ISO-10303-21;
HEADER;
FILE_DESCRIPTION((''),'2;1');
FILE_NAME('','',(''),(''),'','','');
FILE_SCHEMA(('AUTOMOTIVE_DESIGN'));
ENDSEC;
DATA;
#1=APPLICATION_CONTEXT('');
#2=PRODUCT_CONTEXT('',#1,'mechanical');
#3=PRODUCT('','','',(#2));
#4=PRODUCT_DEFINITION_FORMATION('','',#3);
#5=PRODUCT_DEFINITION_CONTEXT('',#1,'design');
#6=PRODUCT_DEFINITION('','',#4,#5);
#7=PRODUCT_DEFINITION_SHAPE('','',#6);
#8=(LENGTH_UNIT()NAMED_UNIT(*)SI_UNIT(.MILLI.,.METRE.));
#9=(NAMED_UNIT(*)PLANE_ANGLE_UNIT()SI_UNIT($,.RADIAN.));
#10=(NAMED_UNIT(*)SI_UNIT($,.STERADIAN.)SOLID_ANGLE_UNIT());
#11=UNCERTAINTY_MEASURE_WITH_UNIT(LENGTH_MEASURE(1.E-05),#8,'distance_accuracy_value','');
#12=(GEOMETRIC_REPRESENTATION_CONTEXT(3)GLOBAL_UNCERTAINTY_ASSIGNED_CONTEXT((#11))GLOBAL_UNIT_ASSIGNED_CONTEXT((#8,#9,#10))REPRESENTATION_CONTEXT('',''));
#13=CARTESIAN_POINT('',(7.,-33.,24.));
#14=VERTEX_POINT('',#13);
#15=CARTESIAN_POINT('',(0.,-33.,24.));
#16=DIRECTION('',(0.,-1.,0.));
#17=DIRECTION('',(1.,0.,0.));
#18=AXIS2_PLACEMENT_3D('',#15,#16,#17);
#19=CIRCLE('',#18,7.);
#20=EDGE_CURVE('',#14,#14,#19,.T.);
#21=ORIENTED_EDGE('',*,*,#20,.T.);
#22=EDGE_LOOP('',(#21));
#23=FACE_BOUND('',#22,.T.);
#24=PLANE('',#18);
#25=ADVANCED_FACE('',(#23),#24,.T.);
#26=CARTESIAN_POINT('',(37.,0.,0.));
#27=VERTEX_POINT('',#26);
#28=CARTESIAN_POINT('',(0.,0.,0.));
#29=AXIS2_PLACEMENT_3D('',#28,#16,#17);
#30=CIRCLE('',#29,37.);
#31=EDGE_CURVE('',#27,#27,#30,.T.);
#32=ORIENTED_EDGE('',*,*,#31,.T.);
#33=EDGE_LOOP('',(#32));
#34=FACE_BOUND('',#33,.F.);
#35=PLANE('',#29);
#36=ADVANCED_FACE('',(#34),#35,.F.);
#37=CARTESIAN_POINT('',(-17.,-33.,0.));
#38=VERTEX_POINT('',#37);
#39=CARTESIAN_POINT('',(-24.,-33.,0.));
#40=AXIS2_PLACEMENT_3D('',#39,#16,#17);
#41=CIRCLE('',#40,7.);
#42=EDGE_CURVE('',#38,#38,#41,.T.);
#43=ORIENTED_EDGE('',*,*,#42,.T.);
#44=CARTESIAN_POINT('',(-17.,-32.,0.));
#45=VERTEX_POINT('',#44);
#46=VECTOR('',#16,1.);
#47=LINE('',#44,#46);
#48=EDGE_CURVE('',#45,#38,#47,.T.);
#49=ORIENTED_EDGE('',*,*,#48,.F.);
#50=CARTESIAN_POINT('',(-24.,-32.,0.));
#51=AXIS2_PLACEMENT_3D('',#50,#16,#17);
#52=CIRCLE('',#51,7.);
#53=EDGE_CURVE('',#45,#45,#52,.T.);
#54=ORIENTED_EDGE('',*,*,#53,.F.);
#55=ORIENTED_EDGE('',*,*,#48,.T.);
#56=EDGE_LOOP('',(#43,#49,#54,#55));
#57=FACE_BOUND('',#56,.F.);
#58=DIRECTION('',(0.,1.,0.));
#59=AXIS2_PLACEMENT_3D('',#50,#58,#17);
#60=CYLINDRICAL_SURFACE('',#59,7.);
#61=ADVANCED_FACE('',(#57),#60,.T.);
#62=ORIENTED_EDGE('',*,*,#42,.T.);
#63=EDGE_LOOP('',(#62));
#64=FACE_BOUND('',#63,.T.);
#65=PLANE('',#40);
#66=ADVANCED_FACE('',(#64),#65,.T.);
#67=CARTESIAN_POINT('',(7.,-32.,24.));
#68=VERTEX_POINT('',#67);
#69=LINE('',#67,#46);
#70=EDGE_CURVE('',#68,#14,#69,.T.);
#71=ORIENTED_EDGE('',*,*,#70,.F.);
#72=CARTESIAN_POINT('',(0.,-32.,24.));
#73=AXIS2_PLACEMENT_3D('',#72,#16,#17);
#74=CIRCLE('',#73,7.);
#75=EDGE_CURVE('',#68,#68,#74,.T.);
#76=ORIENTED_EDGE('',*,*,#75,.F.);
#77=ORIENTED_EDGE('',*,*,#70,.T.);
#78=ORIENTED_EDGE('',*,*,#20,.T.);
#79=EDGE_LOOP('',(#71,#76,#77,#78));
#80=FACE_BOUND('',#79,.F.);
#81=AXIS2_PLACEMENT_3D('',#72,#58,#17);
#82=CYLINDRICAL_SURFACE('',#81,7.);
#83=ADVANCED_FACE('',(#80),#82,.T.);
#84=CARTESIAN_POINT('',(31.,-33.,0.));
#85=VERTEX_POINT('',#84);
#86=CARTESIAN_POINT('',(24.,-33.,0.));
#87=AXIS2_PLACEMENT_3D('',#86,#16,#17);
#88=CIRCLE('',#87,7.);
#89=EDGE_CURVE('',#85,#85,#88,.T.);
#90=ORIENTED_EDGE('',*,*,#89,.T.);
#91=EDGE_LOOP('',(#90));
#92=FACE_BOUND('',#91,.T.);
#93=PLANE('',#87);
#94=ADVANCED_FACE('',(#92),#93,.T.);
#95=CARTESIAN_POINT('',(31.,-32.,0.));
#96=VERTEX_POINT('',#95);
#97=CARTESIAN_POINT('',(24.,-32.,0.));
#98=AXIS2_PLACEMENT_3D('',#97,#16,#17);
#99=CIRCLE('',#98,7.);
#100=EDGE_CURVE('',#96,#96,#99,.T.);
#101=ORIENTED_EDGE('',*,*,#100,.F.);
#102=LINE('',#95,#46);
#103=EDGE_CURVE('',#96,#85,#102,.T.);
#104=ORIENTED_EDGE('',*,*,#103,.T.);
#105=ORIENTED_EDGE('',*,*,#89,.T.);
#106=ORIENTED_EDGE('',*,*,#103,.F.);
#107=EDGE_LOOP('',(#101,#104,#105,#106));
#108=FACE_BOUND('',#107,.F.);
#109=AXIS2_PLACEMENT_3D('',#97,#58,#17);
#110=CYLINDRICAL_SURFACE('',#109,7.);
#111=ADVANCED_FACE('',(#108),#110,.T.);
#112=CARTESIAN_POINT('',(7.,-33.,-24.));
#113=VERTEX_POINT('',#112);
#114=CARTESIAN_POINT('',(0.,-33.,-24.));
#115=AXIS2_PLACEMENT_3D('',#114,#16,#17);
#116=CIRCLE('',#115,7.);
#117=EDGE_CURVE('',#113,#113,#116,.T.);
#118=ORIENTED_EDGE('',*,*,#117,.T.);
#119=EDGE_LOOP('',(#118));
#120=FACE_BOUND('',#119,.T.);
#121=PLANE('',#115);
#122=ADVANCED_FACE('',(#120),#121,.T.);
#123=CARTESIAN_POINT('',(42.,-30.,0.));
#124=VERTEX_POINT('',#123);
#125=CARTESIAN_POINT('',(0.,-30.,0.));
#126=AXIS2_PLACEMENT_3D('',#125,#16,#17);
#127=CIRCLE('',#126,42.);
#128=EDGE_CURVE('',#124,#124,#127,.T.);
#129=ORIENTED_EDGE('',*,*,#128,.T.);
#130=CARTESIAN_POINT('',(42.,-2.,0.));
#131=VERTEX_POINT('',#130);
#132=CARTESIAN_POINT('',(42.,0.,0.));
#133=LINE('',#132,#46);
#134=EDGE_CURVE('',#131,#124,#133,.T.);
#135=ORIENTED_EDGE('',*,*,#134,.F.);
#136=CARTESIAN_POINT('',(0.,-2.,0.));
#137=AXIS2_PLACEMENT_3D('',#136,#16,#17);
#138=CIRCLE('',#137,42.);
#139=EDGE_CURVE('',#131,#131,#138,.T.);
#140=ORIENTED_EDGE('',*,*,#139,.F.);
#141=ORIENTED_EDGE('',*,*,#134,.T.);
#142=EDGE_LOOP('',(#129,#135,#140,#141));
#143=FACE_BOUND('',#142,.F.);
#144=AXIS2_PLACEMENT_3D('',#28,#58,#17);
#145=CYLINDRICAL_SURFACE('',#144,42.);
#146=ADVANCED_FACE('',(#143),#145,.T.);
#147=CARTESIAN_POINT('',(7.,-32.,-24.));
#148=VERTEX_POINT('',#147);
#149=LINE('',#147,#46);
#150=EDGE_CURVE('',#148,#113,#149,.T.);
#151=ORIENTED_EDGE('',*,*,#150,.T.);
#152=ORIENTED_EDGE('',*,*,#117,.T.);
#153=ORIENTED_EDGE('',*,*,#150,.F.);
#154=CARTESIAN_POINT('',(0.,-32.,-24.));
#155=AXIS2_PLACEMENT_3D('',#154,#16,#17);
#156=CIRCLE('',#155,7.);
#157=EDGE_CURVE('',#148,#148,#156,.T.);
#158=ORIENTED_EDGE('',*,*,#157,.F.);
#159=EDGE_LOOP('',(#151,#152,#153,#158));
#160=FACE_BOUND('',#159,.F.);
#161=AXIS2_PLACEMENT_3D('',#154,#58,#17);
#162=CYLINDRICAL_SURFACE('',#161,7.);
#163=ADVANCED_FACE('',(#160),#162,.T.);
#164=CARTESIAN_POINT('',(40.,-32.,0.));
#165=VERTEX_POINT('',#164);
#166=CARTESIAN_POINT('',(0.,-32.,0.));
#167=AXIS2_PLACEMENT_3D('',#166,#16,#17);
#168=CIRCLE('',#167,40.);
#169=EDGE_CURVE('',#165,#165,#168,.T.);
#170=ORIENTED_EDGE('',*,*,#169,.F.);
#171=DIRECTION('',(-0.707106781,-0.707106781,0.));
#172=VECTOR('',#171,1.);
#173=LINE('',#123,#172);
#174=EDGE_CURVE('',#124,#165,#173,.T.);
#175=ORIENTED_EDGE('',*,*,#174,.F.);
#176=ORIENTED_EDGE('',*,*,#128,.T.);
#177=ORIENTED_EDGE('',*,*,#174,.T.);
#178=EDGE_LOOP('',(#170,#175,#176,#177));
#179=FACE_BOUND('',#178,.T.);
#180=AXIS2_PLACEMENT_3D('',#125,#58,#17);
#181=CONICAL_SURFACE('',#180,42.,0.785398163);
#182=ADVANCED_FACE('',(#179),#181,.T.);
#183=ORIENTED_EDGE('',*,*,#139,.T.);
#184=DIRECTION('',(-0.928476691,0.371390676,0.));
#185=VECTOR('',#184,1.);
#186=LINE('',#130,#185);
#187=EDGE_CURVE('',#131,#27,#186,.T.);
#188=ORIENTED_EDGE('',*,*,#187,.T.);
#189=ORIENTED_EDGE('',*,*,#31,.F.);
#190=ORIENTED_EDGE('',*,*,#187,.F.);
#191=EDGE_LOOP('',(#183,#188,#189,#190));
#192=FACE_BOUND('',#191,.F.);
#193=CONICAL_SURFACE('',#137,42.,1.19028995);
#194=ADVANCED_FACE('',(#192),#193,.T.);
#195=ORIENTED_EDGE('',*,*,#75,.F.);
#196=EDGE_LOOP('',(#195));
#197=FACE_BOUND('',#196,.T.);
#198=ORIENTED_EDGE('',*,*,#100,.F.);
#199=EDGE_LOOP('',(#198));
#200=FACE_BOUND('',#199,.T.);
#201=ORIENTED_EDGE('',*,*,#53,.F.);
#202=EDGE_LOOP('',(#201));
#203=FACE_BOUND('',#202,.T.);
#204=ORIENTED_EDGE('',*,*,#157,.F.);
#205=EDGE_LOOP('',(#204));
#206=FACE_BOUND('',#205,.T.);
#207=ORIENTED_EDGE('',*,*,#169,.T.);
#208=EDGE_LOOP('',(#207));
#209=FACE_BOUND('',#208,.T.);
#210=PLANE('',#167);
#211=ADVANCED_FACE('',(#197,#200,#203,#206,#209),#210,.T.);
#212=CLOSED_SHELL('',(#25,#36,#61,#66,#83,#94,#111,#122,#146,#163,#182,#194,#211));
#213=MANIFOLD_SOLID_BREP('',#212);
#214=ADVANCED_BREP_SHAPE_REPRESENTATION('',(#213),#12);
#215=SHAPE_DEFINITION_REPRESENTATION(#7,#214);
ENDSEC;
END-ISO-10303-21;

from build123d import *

# Parameters (mm, degrees)
F0_R     = 42
F1_DEPTH = 32
F2_SIZE2 = 5
F2_SIZE  = 2
F3_SIZE  = 2
F4_R     = 7
F5_DEPTH = 1


with BuildPart() as f1:
    # F0 (on Front) → F1 (new body)
    with BuildSketch(Plane.XZ):
        Circle(F0_R)
    extrude(amount=F1_DEPTH)

    # F2
    f2_edges = [f1.edges().sort_by_distance(p)[0] for p in [
        (-42, 0, 0),
    ]]
    chamfer(f2_edges, length=F2_SIZE, length2=F2_SIZE2)

    # F3
    f3_edges = [f1.edges().sort_by_distance(p)[0] for p in [
        (-42, -32, 0),
    ]]
    chamfer(f3_edges, length=F3_SIZE)

    # F4 (on face) → F5 (join)
    with BuildSketch(Plane.XZ.offset(32)):
        with Locations((-24, 0)):
            Circle(F4_R)
        with Locations((24, 0)):
            Circle(F4_R)
        with Locations((0, 24)):
            Circle(F4_R)
        with Locations((0, -24)):
            Circle(F4_R)
    extrude(amount=F5_DEPTH)


solid = f1.part
